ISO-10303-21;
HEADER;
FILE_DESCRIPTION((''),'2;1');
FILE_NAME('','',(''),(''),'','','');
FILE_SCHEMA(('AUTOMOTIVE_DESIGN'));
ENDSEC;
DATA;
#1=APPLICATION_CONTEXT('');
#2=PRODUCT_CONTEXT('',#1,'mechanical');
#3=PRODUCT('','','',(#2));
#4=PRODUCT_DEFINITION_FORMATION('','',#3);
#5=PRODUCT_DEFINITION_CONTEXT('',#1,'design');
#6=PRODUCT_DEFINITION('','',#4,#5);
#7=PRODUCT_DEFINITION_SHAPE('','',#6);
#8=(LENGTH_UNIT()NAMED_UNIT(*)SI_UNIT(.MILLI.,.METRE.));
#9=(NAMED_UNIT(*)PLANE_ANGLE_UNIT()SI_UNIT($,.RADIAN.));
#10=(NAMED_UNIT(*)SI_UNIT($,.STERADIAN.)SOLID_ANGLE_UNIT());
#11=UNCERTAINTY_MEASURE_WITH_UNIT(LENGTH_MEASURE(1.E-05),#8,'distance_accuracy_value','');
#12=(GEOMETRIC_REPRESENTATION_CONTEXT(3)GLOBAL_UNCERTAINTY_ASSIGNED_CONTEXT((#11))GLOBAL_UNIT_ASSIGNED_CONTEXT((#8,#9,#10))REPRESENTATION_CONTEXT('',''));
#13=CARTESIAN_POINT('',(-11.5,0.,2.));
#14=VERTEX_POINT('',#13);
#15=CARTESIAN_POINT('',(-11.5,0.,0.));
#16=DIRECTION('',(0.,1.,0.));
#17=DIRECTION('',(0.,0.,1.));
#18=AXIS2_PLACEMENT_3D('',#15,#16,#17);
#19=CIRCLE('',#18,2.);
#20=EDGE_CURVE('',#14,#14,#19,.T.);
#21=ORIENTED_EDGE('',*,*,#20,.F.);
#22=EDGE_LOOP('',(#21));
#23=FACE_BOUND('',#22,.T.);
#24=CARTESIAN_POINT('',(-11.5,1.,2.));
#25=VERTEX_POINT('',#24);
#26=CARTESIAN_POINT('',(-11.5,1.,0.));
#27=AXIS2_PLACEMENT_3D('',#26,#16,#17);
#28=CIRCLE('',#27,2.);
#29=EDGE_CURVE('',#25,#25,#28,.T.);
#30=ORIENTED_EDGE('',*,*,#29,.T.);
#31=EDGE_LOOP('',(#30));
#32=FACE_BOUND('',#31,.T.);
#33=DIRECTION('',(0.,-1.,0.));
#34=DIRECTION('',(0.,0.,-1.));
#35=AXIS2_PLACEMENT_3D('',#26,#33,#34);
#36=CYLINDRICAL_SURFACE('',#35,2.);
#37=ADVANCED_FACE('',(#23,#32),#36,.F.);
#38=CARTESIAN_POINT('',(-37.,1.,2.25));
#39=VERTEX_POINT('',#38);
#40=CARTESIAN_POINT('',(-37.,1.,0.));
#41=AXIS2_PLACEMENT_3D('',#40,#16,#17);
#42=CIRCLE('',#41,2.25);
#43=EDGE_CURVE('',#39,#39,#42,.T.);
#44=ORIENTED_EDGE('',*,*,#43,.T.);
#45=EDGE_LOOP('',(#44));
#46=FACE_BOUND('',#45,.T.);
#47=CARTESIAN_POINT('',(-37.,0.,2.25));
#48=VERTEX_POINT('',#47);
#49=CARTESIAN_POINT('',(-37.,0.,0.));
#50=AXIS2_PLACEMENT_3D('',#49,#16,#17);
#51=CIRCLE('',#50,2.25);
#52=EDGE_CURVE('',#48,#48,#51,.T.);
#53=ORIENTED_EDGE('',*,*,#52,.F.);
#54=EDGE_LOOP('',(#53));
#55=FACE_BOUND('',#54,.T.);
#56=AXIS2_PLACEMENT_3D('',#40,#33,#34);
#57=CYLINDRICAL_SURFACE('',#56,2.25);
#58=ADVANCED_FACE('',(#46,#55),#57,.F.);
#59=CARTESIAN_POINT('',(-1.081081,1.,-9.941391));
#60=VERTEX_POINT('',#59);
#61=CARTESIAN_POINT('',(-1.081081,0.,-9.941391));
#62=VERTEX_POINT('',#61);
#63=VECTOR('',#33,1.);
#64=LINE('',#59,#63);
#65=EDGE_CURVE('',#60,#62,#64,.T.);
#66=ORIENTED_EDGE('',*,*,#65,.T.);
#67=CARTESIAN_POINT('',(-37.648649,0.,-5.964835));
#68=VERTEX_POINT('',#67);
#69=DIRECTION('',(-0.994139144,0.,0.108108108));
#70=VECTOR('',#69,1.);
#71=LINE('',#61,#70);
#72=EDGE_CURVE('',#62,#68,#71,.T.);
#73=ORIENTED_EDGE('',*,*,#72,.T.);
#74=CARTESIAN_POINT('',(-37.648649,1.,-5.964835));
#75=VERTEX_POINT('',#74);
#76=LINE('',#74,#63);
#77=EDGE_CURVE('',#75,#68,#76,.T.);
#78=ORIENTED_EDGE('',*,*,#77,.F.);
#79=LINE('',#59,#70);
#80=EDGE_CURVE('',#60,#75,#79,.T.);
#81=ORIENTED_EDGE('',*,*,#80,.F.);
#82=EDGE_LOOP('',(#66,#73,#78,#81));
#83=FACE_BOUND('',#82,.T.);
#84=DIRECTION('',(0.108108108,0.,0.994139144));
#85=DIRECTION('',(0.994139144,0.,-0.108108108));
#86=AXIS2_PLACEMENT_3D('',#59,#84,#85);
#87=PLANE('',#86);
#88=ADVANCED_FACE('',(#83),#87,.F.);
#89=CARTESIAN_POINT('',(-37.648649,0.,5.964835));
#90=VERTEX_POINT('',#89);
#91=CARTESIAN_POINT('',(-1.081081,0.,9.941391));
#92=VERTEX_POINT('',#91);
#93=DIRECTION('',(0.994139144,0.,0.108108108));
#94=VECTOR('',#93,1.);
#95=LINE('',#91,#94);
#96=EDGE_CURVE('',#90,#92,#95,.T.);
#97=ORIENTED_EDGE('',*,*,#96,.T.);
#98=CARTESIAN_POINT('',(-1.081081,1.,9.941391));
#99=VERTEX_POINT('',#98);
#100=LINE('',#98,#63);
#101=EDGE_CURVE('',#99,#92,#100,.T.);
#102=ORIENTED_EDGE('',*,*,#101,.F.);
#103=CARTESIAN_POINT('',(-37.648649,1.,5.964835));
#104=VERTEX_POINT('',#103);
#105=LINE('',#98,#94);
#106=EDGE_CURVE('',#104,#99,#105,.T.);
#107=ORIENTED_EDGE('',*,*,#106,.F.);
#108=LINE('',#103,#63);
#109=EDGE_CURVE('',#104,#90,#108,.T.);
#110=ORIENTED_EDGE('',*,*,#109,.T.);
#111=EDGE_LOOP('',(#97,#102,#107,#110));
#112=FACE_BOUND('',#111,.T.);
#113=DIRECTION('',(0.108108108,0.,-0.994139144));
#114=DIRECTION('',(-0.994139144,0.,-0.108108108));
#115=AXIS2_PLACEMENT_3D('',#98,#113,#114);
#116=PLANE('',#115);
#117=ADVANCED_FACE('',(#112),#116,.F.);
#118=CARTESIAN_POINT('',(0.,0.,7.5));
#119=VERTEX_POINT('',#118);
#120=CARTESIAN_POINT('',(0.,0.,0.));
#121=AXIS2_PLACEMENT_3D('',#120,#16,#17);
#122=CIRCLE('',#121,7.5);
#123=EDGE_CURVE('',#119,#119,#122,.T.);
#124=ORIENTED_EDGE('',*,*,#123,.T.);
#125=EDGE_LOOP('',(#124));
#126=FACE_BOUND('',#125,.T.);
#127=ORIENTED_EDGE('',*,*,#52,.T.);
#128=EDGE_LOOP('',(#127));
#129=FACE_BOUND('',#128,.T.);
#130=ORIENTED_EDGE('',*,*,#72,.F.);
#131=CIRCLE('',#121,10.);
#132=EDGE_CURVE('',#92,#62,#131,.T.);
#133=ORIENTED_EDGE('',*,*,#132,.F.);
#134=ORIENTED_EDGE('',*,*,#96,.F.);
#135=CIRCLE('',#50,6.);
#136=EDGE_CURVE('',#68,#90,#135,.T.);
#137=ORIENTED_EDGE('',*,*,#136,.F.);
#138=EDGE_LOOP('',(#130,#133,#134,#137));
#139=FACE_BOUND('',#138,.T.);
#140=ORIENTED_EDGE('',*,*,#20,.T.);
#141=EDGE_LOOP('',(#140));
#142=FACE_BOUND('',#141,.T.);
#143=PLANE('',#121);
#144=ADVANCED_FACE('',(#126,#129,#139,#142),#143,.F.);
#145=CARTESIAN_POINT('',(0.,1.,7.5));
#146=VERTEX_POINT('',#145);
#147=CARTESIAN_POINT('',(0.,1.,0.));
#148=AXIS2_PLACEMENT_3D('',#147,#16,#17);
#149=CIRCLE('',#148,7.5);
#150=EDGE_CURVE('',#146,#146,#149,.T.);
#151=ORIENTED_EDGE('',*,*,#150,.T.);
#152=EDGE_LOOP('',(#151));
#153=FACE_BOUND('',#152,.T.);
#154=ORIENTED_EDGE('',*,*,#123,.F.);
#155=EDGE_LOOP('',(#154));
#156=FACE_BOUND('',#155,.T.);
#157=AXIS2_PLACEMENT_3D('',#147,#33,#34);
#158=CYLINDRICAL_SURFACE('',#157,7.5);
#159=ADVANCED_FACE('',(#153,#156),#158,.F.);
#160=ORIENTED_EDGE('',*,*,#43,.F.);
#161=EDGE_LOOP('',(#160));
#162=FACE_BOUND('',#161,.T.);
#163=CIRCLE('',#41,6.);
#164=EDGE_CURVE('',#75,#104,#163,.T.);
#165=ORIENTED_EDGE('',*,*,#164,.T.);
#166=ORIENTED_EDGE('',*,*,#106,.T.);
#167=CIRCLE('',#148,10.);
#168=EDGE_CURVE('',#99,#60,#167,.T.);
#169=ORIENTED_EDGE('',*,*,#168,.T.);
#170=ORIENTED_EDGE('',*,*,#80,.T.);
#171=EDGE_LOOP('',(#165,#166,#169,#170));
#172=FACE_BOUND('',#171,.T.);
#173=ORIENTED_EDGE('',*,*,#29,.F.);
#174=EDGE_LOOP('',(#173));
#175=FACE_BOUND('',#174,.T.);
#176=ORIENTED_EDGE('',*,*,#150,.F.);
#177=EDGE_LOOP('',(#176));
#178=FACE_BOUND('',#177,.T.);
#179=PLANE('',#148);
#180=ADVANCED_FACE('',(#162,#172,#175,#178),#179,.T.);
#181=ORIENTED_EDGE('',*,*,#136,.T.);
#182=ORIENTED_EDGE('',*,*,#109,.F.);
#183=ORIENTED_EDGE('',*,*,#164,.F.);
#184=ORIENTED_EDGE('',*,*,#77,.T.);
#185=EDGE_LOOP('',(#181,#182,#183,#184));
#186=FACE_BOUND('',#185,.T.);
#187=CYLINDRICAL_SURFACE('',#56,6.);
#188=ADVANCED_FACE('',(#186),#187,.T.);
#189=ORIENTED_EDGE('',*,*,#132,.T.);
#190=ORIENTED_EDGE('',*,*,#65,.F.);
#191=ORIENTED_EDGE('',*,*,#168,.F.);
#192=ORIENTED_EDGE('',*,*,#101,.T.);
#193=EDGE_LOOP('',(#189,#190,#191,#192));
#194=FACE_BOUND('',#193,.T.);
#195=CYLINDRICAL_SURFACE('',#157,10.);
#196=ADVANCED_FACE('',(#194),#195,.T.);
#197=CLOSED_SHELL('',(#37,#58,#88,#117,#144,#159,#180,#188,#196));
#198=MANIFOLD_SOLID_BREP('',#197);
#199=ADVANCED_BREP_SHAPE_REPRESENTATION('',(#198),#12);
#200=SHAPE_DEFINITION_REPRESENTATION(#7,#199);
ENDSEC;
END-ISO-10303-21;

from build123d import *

# Parameters (mm, degrees)
SKETCH1_R           = 2.25
SKETCH1_R_2         = 7.5
SKETCH1_R_3         = 2
BOSS_EXTRUDE1_DEPTH = 1


with BuildPart() as part:
    # Sketch1 → Boss-Extrude1 (new body)
    with BuildSketch(Plane(origin=(0, 0, 0), x_dir=(1, 0, 0), z_dir=(0, 1, 0))):
        with BuildLine():
            Line((-1.081081081, 9.941391437), (-37.648648649, 5.964834862))
            ThreePointArc((-37.648648649, 5.964834862), (-43, 0), (-37.648648649, -5.964834862))
            Line((-37.648648649, -5.964834862), (-1.081081081, -9.941391437))
            ThreePointArc((-1.081081081, -9.941391437), (10, 0), (-1.081081081, 9.941391437))
        make_face()
        with Locations(Location((-37, 0, 0), (0, 0, 270))):
            Circle(SKETCH1_R, mode=Mode.SUBTRACT)
        with Locations(Location((0, 0, 0), (0, 0, 270))):
            Circle(SKETCH1_R_2, mode=Mode.SUBTRACT)
        with Locations(Location((-11.5, 0, 0), (0, 0, 270))):
            Circle(SKETCH1_R_3, mode=Mode.SUBTRACT)
    extrude(amount=BOSS_EXTRUDE1_DEPTH)


solid = part.part
